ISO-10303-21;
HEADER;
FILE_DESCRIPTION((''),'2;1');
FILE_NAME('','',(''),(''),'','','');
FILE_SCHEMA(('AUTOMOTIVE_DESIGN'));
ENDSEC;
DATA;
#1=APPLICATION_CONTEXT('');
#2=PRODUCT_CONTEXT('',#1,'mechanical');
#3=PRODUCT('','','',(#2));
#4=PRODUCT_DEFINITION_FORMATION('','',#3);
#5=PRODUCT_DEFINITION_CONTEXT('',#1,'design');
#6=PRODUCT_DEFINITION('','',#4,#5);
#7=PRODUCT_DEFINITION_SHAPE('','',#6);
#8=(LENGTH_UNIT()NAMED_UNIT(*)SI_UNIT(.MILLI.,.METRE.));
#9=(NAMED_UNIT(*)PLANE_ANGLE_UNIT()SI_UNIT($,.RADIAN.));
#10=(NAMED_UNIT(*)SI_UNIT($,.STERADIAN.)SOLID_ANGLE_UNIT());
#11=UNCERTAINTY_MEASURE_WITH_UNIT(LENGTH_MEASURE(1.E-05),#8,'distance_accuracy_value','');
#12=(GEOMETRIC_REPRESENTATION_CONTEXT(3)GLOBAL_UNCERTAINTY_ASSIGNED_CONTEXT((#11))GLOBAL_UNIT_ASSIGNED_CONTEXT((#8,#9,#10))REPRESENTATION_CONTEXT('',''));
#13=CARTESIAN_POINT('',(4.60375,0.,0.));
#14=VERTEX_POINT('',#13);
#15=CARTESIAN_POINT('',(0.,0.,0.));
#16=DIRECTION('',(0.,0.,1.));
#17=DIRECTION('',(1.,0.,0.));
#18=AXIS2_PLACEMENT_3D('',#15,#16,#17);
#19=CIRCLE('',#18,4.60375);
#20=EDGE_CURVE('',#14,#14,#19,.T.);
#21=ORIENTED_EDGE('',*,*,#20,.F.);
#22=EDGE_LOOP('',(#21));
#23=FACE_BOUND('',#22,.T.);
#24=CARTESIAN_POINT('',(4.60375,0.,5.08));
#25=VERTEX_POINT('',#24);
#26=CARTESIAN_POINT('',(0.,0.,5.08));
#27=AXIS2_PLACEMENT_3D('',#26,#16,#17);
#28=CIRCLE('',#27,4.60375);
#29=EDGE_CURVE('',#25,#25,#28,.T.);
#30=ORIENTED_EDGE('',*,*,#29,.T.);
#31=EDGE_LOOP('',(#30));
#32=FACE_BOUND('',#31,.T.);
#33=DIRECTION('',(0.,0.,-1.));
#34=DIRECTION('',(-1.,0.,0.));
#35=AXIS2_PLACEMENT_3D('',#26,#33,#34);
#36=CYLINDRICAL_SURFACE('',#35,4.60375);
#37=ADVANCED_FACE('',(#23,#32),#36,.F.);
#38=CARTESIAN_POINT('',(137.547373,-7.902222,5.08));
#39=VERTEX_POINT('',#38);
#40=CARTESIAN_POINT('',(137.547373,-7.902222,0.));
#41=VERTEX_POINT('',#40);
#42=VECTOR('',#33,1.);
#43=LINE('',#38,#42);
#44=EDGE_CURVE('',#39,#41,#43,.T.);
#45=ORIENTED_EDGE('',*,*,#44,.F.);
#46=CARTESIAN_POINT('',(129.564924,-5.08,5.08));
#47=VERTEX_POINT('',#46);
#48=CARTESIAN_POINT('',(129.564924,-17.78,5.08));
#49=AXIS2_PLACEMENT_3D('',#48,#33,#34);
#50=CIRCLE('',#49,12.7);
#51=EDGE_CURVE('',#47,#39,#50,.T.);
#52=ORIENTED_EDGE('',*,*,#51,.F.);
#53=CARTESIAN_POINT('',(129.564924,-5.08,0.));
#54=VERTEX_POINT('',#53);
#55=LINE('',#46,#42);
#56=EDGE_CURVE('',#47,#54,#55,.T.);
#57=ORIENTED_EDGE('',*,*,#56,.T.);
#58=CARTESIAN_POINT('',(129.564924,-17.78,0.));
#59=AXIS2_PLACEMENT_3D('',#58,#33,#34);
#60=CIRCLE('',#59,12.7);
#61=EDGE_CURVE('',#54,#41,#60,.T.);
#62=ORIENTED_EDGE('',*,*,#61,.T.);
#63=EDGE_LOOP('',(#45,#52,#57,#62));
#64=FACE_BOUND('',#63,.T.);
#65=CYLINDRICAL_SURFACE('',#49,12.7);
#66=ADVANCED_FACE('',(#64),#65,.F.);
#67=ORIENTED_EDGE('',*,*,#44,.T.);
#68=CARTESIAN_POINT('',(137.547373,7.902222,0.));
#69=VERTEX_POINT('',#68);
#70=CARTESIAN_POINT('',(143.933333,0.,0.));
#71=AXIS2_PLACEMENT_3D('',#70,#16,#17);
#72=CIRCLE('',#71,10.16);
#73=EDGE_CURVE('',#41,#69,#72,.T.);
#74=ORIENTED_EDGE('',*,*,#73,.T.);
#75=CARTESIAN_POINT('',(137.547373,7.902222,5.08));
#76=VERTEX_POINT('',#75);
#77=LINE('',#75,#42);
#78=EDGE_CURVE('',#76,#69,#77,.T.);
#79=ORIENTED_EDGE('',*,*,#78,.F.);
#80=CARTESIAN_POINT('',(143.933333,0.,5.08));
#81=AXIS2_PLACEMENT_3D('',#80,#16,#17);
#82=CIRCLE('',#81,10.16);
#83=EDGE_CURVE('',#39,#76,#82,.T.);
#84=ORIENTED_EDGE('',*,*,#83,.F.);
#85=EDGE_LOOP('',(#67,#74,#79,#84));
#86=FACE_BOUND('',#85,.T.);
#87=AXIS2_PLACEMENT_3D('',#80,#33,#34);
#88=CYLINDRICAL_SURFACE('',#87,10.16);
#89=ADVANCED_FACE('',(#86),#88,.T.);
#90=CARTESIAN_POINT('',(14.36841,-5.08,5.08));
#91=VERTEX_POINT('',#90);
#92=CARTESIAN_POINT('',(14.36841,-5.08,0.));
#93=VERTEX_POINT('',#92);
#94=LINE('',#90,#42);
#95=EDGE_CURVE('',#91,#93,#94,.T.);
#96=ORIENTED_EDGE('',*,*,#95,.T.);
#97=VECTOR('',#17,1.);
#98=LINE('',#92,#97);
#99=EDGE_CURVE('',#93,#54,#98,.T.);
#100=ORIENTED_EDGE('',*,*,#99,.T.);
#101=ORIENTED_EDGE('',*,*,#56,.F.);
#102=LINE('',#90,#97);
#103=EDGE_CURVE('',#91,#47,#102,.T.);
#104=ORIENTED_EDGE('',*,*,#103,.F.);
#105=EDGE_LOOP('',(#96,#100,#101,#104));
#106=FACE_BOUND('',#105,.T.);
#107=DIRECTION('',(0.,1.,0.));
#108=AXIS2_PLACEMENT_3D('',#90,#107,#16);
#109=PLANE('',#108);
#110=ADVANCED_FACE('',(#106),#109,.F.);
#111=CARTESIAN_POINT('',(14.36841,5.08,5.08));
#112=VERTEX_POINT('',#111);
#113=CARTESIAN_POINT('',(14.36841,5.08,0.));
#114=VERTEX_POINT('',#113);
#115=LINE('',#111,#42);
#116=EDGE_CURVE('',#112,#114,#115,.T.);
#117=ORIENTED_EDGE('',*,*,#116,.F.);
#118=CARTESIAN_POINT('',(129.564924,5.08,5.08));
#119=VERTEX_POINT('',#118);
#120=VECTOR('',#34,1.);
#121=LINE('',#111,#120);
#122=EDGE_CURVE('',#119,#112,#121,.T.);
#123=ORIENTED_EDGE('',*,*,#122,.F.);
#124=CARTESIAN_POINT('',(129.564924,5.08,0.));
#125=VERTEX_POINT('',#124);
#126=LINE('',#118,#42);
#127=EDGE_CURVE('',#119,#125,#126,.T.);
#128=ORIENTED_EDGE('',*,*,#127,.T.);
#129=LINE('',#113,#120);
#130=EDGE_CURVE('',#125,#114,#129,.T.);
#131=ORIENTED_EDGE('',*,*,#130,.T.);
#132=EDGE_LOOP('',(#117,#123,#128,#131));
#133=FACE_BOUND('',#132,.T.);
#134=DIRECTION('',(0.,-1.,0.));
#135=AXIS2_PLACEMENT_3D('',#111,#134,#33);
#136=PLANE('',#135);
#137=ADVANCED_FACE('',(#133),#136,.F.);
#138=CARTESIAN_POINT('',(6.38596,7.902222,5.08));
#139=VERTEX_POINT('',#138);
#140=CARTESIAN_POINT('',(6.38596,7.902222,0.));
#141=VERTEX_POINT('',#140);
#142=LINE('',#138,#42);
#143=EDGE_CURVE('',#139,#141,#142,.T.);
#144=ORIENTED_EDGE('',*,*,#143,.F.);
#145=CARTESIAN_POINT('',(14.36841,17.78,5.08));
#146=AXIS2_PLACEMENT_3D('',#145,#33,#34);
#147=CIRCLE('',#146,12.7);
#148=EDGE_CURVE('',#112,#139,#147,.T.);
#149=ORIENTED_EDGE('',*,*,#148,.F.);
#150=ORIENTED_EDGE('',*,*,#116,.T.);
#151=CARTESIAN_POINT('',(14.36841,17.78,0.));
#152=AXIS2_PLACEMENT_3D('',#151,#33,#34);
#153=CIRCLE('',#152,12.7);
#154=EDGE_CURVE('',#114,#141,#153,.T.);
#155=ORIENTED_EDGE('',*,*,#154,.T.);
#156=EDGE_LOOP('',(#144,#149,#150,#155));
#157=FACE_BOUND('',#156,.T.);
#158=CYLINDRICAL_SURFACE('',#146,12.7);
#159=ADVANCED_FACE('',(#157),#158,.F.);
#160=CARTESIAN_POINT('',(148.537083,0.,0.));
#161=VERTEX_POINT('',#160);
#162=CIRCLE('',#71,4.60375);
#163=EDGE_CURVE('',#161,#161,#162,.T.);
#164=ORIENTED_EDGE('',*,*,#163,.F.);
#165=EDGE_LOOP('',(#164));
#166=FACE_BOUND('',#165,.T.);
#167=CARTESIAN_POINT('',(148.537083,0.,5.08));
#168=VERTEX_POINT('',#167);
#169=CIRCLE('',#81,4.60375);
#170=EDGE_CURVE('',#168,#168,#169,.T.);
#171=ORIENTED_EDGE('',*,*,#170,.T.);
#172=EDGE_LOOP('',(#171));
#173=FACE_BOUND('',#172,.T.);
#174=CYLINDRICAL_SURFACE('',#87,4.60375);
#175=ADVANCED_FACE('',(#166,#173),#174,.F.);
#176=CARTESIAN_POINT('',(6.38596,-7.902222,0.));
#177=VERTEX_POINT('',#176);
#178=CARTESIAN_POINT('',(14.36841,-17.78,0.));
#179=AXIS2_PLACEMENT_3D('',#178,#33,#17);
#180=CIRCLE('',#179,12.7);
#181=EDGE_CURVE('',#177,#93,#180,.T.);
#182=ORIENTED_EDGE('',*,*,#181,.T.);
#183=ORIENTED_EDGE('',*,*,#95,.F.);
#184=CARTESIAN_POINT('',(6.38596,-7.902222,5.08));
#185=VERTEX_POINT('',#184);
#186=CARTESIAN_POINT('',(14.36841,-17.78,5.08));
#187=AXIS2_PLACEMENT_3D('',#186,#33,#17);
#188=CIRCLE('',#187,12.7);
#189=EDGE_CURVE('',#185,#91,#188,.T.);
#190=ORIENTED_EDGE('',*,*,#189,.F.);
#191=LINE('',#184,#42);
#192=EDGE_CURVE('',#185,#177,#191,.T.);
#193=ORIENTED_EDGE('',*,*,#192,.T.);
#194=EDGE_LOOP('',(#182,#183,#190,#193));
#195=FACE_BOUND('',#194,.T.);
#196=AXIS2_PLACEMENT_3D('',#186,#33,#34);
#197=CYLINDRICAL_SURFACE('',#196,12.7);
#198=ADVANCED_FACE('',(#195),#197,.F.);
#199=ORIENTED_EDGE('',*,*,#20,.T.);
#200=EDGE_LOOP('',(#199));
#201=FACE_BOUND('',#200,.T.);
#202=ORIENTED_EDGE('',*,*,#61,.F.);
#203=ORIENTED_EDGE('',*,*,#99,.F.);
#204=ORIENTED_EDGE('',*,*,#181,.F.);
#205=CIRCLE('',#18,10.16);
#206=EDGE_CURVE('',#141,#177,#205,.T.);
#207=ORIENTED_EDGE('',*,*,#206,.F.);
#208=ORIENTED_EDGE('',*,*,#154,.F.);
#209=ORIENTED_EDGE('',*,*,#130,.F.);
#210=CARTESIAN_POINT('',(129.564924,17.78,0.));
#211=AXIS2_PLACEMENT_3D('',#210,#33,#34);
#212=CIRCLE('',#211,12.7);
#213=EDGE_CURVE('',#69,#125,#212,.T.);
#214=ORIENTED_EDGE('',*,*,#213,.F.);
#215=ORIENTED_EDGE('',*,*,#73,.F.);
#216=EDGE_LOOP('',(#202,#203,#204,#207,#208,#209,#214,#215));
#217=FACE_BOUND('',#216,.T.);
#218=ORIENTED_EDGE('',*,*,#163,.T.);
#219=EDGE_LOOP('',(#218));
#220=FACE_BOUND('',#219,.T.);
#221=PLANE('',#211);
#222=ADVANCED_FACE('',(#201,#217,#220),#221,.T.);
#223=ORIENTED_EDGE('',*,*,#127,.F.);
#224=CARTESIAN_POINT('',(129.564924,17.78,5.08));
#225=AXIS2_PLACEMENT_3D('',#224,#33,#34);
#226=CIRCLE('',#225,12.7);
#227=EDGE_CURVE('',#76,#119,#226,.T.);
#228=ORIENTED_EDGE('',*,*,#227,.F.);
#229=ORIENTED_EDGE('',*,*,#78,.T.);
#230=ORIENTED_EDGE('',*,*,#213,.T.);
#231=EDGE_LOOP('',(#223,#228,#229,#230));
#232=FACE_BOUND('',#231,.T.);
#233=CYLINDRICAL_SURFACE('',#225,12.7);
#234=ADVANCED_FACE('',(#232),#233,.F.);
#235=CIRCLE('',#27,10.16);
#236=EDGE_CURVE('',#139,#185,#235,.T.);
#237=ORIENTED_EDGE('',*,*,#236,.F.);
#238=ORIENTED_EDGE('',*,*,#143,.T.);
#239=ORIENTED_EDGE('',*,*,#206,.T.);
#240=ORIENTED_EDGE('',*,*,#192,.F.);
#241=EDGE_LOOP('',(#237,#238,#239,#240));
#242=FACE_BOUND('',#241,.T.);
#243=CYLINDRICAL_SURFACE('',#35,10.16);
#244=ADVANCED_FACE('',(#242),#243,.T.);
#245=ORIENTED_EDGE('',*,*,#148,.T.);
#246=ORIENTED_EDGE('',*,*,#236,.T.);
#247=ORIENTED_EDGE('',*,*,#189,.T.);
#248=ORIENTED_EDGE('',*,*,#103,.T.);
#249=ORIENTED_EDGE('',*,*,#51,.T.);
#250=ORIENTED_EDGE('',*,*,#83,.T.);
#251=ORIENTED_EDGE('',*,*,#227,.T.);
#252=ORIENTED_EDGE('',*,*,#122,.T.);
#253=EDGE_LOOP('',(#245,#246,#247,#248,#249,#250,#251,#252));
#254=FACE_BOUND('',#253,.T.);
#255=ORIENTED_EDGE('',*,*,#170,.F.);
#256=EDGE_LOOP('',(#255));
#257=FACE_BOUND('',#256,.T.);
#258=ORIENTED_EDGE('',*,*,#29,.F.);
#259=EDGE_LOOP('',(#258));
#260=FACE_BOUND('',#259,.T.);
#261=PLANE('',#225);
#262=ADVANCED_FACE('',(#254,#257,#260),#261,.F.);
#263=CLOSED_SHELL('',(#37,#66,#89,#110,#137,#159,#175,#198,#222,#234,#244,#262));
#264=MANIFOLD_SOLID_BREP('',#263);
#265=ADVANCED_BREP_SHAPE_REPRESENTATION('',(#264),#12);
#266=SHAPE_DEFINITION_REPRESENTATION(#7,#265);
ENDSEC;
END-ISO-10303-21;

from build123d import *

# Parameters (mm, degrees)
SKETCH1_R           = 4.60375
BOSS_EXTRUDE1_DEPTH = 5.08


with BuildPart() as part:
    # Sketch1 → Boss-Extrude1 (new body)
    with BuildSketch(Plane.XY):
        with BuildLine():
            Line((14.368409794, 5.08), (129.56492354, 5.08))
            ThreePointArc((129.56492354, 5.08), (133.798256873, 5.806325172), (137.547373425, 7.902222222))
            ThreePointArc((137.547373425, 7.902222222), (154.093333333, 0), (137.547373425, -7.902222222))
            ThreePointArc((137.547373425, -7.902222222), (133.798256873, -5.806325172), (129.56492354, -5.08))
            Line((129.56492354, -5.08), (14.368409794, -5.08))
            ThreePointArc((14.368409794, -5.08), (10.13507646, -5.806325172), (6.385959908, -7.902222222))
            ThreePointArc((6.385959908, -7.902222222), (-10.16, 0), (6.385959908, 7.902222222))
            ThreePointArc((6.385959908, 7.902222222), (10.13507646, 5.806325172), (14.368409794, 5.08))
        make_face()
        Circle(SKETCH1_R, mode=Mode.SUBTRACT)
        with Locations((143.933333333, 0)):
            Circle(SKETCH1_R, mode=Mode.SUBTRACT)
    extrude(amount=BOSS_EXTRUDE1_DEPTH)


solid = part.part
